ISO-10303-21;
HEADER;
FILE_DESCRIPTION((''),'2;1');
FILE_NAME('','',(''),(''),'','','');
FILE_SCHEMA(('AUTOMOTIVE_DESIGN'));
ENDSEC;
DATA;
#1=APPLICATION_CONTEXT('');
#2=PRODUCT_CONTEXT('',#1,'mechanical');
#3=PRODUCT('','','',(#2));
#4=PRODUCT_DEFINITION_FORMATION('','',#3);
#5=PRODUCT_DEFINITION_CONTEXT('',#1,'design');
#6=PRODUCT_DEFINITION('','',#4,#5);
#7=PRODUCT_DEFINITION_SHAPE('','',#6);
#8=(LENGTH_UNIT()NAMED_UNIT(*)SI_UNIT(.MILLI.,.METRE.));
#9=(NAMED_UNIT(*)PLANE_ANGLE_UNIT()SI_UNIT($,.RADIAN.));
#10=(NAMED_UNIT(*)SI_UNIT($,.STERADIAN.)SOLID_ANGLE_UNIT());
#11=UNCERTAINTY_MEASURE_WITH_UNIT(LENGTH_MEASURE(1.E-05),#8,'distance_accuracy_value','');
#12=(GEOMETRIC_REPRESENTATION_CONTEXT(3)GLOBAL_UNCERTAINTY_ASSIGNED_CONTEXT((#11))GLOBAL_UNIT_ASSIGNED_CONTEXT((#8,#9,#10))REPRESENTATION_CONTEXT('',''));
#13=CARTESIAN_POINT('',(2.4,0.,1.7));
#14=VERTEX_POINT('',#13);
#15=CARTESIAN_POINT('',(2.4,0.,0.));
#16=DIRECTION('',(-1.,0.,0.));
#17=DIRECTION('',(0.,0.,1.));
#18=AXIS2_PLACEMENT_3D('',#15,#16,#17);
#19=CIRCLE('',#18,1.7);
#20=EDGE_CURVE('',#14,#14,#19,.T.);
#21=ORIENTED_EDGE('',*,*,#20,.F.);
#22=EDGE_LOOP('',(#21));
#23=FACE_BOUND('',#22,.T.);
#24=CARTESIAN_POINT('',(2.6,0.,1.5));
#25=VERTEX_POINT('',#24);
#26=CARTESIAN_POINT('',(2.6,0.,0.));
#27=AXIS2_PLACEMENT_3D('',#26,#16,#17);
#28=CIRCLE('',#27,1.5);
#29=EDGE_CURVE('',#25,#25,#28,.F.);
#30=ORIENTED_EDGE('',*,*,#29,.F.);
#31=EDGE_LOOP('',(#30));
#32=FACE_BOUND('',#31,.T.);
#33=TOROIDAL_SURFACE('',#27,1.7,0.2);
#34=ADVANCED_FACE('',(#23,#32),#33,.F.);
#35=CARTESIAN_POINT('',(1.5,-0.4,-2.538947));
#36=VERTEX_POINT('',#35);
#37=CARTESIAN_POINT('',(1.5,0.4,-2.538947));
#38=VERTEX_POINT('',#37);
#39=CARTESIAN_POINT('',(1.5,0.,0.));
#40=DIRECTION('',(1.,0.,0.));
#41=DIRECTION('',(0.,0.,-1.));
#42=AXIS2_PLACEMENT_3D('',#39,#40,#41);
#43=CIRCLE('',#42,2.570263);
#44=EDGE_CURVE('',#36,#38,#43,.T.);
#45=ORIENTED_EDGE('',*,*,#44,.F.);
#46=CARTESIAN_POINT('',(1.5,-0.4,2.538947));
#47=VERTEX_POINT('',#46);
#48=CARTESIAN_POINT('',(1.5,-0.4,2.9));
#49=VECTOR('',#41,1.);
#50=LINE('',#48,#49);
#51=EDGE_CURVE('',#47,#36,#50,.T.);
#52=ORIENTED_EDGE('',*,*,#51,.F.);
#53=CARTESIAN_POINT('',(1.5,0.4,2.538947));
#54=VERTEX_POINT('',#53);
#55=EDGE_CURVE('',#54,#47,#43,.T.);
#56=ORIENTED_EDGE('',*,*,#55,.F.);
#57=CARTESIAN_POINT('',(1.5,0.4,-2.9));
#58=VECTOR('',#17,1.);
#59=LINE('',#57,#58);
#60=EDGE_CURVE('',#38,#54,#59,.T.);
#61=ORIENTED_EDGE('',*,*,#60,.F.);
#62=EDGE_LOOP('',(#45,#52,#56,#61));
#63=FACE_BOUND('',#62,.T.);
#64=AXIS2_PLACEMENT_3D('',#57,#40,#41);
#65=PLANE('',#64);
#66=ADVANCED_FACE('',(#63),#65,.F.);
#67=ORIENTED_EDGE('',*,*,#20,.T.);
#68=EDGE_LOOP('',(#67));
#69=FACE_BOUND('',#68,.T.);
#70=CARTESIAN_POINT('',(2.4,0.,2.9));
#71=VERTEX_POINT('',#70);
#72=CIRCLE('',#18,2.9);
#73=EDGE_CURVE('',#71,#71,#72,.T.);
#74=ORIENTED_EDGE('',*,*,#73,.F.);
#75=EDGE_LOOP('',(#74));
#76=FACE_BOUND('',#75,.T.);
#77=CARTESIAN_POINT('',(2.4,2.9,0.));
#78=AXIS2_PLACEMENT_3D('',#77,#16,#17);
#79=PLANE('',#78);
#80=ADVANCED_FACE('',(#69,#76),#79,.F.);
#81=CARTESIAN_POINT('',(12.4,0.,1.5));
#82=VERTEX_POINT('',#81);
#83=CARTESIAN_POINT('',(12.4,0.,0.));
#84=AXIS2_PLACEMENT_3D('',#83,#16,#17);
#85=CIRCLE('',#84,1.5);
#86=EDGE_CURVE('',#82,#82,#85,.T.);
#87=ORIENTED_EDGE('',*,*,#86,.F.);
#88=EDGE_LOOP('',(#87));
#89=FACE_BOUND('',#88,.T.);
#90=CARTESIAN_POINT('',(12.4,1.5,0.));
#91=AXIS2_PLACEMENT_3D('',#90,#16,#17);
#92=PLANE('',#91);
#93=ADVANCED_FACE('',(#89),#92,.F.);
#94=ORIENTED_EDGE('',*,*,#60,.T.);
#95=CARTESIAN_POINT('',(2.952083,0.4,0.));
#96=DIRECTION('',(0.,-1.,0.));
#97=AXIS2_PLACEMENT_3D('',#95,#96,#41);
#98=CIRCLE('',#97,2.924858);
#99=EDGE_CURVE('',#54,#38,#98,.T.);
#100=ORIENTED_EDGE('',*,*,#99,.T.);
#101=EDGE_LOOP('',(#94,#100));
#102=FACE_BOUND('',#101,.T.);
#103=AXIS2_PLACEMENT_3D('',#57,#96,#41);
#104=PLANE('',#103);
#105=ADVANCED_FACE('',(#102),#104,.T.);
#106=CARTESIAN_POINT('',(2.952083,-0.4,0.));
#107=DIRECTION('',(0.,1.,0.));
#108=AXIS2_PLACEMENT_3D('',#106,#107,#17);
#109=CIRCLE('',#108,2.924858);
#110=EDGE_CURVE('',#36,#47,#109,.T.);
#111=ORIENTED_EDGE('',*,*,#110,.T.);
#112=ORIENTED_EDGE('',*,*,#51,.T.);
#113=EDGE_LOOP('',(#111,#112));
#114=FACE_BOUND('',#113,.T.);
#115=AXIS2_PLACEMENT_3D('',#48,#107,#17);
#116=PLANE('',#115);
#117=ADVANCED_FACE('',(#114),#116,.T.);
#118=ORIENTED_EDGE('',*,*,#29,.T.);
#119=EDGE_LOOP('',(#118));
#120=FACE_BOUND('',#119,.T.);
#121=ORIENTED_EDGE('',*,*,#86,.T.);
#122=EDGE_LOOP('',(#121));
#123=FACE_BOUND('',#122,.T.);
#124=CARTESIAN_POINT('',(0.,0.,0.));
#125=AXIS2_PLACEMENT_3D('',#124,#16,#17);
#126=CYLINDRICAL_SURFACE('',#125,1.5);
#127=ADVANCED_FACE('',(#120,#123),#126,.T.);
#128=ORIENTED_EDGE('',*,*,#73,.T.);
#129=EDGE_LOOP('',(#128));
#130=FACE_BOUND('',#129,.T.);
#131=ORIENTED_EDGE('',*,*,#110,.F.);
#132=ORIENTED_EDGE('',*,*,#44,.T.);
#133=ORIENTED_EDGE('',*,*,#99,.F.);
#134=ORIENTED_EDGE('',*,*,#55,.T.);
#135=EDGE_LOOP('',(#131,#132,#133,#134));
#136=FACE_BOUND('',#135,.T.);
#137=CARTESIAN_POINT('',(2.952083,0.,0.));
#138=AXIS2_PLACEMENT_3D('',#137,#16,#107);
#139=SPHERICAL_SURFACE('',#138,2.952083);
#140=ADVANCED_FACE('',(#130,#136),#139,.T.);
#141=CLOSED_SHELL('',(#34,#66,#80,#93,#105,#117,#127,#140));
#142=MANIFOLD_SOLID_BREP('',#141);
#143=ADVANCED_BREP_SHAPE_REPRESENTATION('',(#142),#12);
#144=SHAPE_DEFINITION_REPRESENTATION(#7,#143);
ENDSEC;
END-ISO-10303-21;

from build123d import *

# Parameters (mm, degrees)
SKETCH_2_W          = 5.8
SKETCH_2_H          = 0.8
CUT_EXTRUDE_1_DEPTH = 1.5
FILLET_1_R          = 0.2


with BuildPart() as part:
    # 草图1 → 旋转1 (revolve)
    with BuildSketch(Plane.XY):
        with BuildLine():
            Line((2.4, 2.9), (2.4, 1.5))
            Line((2.4, 1.5), (6.4, 1.5))
            Line((6.4, 1.5), (12.4, 1.5))
            Line((12.4, 1.5), (12.4, 0))
            Line((12.4, 0), (0, 0))
            ThreePointArc((0, 0), (0.677815098, 1.882153022), (2.4, 2.9))
        make_face()
    revolve(axis=Axis((0, 0, 0), (1, 0, 0)))

    # 草图2 → 切除-拉伸1 (cut)
    with BuildSketch(Plane(origin=(0, 0, 0), x_dir=(0, 0, -1), z_dir=(1, 0, 0))):
        Rectangle(SKETCH_2_W, SKETCH_2_H)
    extrude(amount=CUT_EXTRUDE_1_DEPTH, mode=Mode.SUBTRACT)

    # 圆角1
    fillet_1_edges = [part.edges().sort_by_distance(p)[0] for p in [
        (2.4, -1.5, 0),
    ]]
    fillet(fillet_1_edges, radius=FILLET_1_R)


solid = part.part
